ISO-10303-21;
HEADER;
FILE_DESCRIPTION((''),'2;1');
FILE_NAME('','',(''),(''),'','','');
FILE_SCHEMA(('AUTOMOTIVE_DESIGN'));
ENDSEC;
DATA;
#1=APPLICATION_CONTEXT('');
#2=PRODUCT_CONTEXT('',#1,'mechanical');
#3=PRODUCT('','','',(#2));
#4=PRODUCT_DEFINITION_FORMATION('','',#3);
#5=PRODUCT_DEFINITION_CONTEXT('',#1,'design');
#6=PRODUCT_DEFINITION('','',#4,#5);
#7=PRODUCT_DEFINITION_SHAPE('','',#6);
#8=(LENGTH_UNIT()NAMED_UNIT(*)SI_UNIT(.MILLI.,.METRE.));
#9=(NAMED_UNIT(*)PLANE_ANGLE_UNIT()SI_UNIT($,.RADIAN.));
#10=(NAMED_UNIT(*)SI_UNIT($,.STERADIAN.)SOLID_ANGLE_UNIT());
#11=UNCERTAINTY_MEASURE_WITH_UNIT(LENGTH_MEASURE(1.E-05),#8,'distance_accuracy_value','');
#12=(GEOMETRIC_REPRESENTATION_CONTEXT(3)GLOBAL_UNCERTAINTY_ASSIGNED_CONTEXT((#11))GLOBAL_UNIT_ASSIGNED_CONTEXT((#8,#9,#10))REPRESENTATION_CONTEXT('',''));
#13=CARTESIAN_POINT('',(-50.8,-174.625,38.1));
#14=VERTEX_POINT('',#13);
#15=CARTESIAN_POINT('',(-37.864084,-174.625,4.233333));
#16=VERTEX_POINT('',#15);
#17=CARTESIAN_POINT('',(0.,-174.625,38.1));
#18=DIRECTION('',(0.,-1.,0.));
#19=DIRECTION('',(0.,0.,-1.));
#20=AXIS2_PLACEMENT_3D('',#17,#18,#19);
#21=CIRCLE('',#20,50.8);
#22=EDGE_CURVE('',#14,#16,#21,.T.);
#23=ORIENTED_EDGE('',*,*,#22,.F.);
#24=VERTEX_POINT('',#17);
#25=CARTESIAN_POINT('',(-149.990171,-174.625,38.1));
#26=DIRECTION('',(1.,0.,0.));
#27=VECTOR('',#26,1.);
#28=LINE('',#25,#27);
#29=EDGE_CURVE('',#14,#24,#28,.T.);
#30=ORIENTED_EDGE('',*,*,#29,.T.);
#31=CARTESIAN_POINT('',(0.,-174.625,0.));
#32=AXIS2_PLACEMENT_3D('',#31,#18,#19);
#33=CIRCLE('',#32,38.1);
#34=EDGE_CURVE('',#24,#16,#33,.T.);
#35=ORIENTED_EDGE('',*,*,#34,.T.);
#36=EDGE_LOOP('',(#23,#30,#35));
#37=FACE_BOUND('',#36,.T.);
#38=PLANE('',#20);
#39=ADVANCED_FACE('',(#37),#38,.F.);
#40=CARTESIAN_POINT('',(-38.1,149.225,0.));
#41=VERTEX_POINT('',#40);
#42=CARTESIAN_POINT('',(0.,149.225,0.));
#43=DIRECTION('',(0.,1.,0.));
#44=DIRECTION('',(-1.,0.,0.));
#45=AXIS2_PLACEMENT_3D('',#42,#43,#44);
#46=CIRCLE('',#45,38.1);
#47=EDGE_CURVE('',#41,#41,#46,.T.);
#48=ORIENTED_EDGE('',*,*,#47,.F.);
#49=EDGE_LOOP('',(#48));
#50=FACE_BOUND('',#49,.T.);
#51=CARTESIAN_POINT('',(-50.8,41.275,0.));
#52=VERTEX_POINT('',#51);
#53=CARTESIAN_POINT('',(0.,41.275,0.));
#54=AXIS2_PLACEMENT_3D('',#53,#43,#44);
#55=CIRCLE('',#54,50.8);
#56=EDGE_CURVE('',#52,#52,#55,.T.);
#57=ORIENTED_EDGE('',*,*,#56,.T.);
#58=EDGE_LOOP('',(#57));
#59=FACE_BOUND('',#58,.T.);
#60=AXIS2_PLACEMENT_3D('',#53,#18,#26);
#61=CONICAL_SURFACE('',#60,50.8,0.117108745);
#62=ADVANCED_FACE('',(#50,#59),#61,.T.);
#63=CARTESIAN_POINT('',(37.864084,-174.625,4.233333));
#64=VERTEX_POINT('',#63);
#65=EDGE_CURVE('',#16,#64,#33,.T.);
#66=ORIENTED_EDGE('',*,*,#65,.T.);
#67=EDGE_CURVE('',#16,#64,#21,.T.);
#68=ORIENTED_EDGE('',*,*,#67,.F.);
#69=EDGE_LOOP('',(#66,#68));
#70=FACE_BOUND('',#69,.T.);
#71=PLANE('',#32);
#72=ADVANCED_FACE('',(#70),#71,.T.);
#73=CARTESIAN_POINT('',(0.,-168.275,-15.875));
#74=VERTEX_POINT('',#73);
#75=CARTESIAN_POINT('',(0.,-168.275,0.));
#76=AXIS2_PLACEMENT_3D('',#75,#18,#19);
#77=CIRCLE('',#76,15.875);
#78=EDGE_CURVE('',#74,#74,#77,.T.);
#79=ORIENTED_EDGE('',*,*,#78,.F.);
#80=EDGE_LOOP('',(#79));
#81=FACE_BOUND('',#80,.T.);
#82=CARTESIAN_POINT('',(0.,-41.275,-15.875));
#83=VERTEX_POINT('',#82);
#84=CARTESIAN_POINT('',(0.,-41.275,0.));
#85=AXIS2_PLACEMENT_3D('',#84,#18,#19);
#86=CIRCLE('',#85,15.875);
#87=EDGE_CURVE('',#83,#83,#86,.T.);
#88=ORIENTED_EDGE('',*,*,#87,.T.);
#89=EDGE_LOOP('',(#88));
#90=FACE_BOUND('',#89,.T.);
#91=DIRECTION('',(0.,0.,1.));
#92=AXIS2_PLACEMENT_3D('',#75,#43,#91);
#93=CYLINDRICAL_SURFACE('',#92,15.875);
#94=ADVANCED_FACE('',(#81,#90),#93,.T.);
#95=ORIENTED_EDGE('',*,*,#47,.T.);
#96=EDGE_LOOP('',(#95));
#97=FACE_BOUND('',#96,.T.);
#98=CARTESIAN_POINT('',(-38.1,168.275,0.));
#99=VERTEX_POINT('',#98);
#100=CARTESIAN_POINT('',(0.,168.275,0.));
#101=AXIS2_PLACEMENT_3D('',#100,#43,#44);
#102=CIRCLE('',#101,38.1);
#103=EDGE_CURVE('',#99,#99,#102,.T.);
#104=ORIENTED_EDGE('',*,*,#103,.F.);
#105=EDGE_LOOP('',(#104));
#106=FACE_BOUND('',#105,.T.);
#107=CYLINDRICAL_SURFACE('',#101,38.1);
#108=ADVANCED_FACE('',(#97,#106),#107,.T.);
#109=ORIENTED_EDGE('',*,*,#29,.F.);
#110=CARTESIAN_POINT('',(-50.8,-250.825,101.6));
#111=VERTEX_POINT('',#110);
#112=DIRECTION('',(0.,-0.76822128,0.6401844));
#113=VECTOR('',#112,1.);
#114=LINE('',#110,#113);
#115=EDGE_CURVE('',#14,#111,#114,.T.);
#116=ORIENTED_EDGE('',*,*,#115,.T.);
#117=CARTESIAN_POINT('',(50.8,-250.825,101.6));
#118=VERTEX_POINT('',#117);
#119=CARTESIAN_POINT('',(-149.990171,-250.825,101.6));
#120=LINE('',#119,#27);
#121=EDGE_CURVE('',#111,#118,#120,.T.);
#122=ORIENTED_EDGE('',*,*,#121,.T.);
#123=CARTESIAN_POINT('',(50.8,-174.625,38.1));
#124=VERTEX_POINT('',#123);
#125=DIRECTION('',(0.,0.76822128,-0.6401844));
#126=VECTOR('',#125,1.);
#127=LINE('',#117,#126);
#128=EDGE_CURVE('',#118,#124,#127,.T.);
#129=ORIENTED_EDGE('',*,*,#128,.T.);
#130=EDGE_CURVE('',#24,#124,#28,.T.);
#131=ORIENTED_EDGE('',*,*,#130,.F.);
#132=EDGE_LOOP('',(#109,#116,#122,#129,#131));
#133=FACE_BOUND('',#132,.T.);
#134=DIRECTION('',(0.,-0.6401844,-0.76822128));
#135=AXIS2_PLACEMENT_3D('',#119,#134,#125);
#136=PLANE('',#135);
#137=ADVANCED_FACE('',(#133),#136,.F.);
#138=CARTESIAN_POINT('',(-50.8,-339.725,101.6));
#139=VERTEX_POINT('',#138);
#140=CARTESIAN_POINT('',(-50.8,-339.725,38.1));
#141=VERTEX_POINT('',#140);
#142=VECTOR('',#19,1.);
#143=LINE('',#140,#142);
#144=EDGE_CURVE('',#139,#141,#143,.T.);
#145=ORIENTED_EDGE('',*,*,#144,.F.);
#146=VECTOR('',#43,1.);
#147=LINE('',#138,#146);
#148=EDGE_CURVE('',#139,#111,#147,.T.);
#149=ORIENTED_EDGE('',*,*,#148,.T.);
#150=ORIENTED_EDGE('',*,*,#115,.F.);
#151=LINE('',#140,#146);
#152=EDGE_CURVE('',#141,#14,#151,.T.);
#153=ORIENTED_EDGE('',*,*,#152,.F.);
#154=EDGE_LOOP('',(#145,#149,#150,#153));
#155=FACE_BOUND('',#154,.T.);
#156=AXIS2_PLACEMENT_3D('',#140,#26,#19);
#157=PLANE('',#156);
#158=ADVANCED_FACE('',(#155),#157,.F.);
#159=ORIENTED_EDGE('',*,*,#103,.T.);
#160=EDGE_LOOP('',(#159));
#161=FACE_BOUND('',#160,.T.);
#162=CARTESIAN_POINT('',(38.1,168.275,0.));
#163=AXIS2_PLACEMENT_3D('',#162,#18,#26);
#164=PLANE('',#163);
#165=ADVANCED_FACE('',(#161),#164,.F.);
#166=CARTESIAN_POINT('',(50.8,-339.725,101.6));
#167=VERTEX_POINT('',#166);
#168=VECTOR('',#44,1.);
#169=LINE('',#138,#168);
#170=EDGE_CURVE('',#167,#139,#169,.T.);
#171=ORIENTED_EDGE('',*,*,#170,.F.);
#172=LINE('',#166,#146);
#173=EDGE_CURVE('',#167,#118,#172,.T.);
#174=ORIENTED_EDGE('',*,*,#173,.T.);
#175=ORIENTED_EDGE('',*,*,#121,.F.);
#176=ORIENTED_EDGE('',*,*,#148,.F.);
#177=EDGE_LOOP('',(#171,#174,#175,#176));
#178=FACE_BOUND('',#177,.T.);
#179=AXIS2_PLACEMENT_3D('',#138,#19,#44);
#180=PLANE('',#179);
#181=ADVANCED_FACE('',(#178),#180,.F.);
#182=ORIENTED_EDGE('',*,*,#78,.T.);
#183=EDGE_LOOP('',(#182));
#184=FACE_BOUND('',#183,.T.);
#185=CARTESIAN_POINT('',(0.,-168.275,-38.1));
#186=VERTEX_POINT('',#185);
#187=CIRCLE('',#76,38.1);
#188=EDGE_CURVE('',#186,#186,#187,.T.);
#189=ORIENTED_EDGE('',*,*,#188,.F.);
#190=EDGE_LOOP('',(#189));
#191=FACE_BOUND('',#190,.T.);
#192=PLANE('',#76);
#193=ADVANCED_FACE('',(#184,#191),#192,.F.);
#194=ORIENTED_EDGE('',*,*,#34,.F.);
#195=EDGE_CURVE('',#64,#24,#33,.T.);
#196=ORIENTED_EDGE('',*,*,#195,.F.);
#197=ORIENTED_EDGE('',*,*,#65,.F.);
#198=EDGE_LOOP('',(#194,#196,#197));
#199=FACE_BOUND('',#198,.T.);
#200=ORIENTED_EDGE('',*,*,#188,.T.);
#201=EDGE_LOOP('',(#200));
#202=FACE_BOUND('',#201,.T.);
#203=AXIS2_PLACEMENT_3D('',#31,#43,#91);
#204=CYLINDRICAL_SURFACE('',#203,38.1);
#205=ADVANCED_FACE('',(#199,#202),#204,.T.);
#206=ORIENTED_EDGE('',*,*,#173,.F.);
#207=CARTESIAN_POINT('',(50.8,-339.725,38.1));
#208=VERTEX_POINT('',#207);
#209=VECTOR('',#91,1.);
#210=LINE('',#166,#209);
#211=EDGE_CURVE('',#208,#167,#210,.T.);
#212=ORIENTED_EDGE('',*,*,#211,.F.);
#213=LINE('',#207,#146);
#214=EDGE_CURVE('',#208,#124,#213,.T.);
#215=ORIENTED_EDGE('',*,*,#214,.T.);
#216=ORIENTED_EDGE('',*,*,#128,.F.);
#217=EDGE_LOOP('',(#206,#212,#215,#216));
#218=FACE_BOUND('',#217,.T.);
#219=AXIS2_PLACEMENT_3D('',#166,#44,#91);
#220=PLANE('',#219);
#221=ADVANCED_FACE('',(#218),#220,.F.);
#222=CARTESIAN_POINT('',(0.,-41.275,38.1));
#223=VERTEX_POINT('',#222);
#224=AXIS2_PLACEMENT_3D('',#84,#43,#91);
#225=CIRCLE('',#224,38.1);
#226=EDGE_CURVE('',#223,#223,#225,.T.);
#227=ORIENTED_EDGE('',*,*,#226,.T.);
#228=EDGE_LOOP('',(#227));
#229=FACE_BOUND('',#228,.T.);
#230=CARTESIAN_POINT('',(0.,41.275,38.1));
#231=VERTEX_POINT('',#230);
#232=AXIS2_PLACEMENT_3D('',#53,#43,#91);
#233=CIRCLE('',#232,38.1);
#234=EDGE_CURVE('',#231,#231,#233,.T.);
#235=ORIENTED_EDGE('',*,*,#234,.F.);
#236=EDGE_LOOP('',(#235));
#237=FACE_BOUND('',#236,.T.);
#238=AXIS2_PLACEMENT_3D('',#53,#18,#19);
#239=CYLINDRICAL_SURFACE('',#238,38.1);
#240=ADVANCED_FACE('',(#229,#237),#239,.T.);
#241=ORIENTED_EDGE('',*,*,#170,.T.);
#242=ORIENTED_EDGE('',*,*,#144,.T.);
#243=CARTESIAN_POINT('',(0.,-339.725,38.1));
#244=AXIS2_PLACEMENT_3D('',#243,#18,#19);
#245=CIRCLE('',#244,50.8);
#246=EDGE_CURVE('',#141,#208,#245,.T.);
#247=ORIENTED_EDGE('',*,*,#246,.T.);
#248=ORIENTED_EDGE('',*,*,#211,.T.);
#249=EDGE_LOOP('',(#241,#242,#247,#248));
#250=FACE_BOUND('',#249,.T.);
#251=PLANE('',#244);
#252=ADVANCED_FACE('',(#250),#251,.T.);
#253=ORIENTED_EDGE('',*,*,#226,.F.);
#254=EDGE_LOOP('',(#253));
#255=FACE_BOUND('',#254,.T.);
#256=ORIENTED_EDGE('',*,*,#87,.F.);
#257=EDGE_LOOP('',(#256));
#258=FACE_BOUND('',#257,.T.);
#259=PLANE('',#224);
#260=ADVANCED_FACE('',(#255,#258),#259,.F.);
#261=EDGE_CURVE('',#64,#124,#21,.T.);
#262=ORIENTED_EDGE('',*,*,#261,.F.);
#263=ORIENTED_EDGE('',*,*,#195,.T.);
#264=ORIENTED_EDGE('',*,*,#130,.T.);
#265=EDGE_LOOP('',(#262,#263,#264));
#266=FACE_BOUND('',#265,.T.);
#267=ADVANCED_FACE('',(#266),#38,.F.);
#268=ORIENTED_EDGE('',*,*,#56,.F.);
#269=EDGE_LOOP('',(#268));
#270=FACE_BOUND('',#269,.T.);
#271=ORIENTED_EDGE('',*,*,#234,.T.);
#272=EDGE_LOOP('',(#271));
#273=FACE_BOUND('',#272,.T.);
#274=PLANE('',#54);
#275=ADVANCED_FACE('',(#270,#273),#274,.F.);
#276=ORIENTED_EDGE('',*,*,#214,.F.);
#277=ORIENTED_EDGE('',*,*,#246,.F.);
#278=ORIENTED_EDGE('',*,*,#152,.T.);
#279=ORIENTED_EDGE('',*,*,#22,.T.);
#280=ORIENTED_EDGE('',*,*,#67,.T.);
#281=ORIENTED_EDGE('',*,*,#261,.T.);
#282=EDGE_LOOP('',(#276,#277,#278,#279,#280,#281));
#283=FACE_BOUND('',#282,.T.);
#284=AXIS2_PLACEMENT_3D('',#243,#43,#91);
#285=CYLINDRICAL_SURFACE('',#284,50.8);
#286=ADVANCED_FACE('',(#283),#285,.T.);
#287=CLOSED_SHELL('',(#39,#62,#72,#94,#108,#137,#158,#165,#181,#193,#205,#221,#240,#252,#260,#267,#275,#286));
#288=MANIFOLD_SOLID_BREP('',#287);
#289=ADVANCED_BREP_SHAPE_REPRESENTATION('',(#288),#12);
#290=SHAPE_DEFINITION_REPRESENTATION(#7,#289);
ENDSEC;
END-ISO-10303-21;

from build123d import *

# Parameters (mm, degrees)
SKETCH1_R           = 38.1
BOSS_EXTRUDE1_DEPTH = 41.275
SKETCH2_R           = 15.875
BOSS_EXTRUDE2_DEPTH = 127
SKETCH3_R           = 38.1
BOSS_EXTRUDE3_DEPTH = 6.35
BOSS_EXTRUDE4_DEPTH = 165.1
CUT_EXTRUDE1_REACH  = 370.861


with BuildPart() as part:
    # Sketch1 → Boss-Extrude1 (new, symmetric)
    with BuildSketch(Plane(origin=(0, 0, 0), x_dir=(1, 0, 0), z_dir=(0, 1, 0))):
        with Locations(Location((0, 0, 0), (0, 0, 270))):
            Circle(SKETCH1_R)
    extrude(amount=BOSS_EXTRUDE1_DEPTH, both=True)

    # Sketch2 → Boss-Extrude2 (add)
    with BuildSketch(Plane.XZ.offset(41.275)):
        with Locations(Location((0, 0, 0), (0, 0, 270))):
            Circle(SKETCH2_R)
    extrude(amount=BOSS_EXTRUDE2_DEPTH)

    # Sketch3 → Boss-Extrude3 (add)
    with BuildSketch(Plane.XZ.offset(168.275)):
        with Locations(Location((0, 0, 0), (0, 0, 90))):
            Circle(SKETCH3_R)
    extrude(amount=BOSS_EXTRUDE3_DEPTH)

    # Sketch4 → Boss-Extrude4 (add)
    with BuildSketch(Plane.XZ.offset(174.625)):
        with BuildLine():
            Line((-50.8, 38.1), (-50.8, 101.6))
            Line((-50.8, 101.6), (50.8, 101.6))
            Line((50.8, 101.6), (50.8, 38.1))
            ThreePointArc((50.8, 38.1), (0, -12.7), (-50.8, 38.1))
        make_face()
    extrude(amount=BOSS_EXTRUDE4_DEPTH)

    # Cut-Extrude1: up to this face of the body (flat: up to its plane)
    cut_extrude1_end = Plane(part.part.faces().sort_by_distance((-50.8, -257.175, 69.85))[0])
    # Sketch5 → Cut-Extrude1 (cut, up to the picked face)
    with BuildSketch(Plane(origin=(50.8, 0, 0), x_dir=(0, 0, -1), z_dir=(1, 0, 0)), mode=Mode.PRIVATE) as cut_extrude1_sk1:
        Polygon((-38.1, -174.625), (-101.6, -174.625), (-101.6, -250.825), align=None)
    cut_extrude1_tool1 = split(extrude(cut_extrude1_sk1.sketch, amount=-CUT_EXTRUDE1_REACH, mode=Mode.PRIVATE), bisect_by=cut_extrude1_end, keep=Keep.BOTH, mode=Mode.PRIVATE)
    add(cut_extrude1_tool1.solids().sort_by(Axis((50.8, -200.025, 80.433333), (-1, 0, 0)))[0], mode=Mode.SUBTRACT)

    # Sketch6 → Revolve1 (revolve)
    with BuildSketch(Plane.XY, mode=Mode.PRIVATE) as revolve1_sk:
        Polygon((0, 41.275), (50.8, 41.275), (38.1, 149.225), (38.1, 168.275), (0, 168.275), align=None)
    revolve(revolve1_sk.sketch.rotate(Axis((0, 168.275, 0), (0, -1, 0)), 180), axis=Axis((0, 168.275, 0), (0, -1, 0)))


solid = part.part
